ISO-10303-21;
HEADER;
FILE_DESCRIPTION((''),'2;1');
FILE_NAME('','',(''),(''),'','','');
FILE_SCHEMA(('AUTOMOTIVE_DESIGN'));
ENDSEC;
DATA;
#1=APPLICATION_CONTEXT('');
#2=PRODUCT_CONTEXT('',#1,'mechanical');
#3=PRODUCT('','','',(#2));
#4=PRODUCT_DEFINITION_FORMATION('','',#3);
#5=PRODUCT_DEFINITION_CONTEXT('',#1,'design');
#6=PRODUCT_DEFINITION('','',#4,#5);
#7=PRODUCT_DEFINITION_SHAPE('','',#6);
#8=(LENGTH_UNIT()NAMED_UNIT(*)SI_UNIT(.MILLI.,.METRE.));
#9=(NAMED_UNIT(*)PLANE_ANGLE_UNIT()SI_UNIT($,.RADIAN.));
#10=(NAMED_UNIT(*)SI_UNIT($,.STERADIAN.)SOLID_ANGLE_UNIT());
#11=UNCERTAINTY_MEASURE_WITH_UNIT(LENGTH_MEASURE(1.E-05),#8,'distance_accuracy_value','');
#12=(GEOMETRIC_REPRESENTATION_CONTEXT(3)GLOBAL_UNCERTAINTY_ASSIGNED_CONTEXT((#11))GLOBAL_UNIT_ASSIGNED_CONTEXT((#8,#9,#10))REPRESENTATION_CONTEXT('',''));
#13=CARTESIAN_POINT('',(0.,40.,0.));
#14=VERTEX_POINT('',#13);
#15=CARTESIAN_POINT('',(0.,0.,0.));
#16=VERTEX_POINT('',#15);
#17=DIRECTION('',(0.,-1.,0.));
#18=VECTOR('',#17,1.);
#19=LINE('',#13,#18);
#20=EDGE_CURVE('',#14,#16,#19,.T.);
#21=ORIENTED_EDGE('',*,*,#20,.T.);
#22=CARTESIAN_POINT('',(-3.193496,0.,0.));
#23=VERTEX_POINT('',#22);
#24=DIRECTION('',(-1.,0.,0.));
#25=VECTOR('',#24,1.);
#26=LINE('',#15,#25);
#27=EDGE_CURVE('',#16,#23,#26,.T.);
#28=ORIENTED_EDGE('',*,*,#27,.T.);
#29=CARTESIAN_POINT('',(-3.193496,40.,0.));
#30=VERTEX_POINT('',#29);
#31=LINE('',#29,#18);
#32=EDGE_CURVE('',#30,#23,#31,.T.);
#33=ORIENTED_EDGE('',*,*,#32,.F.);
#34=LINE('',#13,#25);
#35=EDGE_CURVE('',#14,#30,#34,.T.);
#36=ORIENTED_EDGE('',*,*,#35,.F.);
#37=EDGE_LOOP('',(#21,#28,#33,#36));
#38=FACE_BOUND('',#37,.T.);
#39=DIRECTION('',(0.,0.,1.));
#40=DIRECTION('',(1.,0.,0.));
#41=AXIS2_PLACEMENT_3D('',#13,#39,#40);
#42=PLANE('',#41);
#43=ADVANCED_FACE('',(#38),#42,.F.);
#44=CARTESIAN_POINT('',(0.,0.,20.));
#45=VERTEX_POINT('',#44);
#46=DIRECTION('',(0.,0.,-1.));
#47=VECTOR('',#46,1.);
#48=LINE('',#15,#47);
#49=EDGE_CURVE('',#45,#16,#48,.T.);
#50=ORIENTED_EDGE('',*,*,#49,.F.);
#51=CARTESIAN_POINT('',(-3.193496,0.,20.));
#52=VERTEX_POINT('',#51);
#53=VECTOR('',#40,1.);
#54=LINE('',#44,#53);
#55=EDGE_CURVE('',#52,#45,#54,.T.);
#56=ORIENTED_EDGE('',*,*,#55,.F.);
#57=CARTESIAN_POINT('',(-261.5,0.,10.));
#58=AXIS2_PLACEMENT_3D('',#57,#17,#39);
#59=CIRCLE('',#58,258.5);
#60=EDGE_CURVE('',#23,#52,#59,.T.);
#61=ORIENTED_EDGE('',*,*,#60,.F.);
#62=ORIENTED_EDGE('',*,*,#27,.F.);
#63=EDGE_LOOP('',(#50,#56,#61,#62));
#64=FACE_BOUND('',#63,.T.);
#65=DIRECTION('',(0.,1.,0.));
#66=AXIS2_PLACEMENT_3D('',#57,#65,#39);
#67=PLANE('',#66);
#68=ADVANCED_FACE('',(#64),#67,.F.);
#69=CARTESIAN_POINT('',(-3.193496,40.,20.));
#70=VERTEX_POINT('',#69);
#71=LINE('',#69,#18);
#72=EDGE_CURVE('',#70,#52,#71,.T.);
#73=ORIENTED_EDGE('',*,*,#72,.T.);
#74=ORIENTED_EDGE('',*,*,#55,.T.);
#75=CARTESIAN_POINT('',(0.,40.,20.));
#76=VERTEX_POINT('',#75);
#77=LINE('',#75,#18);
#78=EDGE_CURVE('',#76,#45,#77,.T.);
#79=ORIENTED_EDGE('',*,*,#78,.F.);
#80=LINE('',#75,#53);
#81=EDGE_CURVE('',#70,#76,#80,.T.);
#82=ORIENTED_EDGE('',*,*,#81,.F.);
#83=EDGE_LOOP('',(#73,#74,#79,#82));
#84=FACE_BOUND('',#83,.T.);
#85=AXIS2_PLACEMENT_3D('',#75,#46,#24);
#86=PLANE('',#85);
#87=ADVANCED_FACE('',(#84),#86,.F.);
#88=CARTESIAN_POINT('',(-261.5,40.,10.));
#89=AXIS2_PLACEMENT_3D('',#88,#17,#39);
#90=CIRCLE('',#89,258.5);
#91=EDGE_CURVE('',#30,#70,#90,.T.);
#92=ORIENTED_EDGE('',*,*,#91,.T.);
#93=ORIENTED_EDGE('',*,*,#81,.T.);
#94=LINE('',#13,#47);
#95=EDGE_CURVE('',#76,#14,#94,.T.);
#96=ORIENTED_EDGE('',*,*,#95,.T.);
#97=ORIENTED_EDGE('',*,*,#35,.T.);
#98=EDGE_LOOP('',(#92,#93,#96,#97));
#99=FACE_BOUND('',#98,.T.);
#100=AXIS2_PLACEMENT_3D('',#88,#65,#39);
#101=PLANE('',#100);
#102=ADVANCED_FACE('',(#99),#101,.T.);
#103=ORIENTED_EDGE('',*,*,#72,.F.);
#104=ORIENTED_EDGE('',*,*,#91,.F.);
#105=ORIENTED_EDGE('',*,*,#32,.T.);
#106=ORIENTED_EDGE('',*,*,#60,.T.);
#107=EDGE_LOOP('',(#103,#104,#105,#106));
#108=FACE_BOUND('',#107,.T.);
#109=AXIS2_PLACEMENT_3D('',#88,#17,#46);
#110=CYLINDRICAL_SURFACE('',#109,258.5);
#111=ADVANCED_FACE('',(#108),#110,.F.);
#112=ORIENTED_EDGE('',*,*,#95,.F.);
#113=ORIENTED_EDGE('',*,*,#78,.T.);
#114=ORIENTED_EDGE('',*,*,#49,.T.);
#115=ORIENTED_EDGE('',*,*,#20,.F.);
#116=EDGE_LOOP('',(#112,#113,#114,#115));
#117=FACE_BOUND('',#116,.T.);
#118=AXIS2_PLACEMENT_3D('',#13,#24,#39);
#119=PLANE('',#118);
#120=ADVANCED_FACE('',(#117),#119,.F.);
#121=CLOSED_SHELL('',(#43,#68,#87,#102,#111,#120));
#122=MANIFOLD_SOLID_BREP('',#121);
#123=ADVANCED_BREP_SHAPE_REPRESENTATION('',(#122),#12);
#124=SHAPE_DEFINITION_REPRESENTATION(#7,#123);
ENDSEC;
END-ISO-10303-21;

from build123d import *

# Parameters (mm, degrees)
EXTRUDE_1_DEPTH = 40


with BuildPart() as part:
    # 草图1 → 凸台-拉伸1 (new body)
    with BuildSketch(Plane(origin=(0, 0, 0), x_dir=(1, 0, 0), z_dir=(0, 1, 0))):
        with BuildLine():
            Line((0, 0), (0, -20))
            Line((0, -20), (-3.193496017, -20))
            ThreePointArc((-3.193496017, -20), (-3, -10), (-3.193496017, 0))
            Line((-3.193496017, 0), (0, 0))
        make_face()
    extrude(amount=EXTRUDE_1_DEPTH)


solid = part.part
